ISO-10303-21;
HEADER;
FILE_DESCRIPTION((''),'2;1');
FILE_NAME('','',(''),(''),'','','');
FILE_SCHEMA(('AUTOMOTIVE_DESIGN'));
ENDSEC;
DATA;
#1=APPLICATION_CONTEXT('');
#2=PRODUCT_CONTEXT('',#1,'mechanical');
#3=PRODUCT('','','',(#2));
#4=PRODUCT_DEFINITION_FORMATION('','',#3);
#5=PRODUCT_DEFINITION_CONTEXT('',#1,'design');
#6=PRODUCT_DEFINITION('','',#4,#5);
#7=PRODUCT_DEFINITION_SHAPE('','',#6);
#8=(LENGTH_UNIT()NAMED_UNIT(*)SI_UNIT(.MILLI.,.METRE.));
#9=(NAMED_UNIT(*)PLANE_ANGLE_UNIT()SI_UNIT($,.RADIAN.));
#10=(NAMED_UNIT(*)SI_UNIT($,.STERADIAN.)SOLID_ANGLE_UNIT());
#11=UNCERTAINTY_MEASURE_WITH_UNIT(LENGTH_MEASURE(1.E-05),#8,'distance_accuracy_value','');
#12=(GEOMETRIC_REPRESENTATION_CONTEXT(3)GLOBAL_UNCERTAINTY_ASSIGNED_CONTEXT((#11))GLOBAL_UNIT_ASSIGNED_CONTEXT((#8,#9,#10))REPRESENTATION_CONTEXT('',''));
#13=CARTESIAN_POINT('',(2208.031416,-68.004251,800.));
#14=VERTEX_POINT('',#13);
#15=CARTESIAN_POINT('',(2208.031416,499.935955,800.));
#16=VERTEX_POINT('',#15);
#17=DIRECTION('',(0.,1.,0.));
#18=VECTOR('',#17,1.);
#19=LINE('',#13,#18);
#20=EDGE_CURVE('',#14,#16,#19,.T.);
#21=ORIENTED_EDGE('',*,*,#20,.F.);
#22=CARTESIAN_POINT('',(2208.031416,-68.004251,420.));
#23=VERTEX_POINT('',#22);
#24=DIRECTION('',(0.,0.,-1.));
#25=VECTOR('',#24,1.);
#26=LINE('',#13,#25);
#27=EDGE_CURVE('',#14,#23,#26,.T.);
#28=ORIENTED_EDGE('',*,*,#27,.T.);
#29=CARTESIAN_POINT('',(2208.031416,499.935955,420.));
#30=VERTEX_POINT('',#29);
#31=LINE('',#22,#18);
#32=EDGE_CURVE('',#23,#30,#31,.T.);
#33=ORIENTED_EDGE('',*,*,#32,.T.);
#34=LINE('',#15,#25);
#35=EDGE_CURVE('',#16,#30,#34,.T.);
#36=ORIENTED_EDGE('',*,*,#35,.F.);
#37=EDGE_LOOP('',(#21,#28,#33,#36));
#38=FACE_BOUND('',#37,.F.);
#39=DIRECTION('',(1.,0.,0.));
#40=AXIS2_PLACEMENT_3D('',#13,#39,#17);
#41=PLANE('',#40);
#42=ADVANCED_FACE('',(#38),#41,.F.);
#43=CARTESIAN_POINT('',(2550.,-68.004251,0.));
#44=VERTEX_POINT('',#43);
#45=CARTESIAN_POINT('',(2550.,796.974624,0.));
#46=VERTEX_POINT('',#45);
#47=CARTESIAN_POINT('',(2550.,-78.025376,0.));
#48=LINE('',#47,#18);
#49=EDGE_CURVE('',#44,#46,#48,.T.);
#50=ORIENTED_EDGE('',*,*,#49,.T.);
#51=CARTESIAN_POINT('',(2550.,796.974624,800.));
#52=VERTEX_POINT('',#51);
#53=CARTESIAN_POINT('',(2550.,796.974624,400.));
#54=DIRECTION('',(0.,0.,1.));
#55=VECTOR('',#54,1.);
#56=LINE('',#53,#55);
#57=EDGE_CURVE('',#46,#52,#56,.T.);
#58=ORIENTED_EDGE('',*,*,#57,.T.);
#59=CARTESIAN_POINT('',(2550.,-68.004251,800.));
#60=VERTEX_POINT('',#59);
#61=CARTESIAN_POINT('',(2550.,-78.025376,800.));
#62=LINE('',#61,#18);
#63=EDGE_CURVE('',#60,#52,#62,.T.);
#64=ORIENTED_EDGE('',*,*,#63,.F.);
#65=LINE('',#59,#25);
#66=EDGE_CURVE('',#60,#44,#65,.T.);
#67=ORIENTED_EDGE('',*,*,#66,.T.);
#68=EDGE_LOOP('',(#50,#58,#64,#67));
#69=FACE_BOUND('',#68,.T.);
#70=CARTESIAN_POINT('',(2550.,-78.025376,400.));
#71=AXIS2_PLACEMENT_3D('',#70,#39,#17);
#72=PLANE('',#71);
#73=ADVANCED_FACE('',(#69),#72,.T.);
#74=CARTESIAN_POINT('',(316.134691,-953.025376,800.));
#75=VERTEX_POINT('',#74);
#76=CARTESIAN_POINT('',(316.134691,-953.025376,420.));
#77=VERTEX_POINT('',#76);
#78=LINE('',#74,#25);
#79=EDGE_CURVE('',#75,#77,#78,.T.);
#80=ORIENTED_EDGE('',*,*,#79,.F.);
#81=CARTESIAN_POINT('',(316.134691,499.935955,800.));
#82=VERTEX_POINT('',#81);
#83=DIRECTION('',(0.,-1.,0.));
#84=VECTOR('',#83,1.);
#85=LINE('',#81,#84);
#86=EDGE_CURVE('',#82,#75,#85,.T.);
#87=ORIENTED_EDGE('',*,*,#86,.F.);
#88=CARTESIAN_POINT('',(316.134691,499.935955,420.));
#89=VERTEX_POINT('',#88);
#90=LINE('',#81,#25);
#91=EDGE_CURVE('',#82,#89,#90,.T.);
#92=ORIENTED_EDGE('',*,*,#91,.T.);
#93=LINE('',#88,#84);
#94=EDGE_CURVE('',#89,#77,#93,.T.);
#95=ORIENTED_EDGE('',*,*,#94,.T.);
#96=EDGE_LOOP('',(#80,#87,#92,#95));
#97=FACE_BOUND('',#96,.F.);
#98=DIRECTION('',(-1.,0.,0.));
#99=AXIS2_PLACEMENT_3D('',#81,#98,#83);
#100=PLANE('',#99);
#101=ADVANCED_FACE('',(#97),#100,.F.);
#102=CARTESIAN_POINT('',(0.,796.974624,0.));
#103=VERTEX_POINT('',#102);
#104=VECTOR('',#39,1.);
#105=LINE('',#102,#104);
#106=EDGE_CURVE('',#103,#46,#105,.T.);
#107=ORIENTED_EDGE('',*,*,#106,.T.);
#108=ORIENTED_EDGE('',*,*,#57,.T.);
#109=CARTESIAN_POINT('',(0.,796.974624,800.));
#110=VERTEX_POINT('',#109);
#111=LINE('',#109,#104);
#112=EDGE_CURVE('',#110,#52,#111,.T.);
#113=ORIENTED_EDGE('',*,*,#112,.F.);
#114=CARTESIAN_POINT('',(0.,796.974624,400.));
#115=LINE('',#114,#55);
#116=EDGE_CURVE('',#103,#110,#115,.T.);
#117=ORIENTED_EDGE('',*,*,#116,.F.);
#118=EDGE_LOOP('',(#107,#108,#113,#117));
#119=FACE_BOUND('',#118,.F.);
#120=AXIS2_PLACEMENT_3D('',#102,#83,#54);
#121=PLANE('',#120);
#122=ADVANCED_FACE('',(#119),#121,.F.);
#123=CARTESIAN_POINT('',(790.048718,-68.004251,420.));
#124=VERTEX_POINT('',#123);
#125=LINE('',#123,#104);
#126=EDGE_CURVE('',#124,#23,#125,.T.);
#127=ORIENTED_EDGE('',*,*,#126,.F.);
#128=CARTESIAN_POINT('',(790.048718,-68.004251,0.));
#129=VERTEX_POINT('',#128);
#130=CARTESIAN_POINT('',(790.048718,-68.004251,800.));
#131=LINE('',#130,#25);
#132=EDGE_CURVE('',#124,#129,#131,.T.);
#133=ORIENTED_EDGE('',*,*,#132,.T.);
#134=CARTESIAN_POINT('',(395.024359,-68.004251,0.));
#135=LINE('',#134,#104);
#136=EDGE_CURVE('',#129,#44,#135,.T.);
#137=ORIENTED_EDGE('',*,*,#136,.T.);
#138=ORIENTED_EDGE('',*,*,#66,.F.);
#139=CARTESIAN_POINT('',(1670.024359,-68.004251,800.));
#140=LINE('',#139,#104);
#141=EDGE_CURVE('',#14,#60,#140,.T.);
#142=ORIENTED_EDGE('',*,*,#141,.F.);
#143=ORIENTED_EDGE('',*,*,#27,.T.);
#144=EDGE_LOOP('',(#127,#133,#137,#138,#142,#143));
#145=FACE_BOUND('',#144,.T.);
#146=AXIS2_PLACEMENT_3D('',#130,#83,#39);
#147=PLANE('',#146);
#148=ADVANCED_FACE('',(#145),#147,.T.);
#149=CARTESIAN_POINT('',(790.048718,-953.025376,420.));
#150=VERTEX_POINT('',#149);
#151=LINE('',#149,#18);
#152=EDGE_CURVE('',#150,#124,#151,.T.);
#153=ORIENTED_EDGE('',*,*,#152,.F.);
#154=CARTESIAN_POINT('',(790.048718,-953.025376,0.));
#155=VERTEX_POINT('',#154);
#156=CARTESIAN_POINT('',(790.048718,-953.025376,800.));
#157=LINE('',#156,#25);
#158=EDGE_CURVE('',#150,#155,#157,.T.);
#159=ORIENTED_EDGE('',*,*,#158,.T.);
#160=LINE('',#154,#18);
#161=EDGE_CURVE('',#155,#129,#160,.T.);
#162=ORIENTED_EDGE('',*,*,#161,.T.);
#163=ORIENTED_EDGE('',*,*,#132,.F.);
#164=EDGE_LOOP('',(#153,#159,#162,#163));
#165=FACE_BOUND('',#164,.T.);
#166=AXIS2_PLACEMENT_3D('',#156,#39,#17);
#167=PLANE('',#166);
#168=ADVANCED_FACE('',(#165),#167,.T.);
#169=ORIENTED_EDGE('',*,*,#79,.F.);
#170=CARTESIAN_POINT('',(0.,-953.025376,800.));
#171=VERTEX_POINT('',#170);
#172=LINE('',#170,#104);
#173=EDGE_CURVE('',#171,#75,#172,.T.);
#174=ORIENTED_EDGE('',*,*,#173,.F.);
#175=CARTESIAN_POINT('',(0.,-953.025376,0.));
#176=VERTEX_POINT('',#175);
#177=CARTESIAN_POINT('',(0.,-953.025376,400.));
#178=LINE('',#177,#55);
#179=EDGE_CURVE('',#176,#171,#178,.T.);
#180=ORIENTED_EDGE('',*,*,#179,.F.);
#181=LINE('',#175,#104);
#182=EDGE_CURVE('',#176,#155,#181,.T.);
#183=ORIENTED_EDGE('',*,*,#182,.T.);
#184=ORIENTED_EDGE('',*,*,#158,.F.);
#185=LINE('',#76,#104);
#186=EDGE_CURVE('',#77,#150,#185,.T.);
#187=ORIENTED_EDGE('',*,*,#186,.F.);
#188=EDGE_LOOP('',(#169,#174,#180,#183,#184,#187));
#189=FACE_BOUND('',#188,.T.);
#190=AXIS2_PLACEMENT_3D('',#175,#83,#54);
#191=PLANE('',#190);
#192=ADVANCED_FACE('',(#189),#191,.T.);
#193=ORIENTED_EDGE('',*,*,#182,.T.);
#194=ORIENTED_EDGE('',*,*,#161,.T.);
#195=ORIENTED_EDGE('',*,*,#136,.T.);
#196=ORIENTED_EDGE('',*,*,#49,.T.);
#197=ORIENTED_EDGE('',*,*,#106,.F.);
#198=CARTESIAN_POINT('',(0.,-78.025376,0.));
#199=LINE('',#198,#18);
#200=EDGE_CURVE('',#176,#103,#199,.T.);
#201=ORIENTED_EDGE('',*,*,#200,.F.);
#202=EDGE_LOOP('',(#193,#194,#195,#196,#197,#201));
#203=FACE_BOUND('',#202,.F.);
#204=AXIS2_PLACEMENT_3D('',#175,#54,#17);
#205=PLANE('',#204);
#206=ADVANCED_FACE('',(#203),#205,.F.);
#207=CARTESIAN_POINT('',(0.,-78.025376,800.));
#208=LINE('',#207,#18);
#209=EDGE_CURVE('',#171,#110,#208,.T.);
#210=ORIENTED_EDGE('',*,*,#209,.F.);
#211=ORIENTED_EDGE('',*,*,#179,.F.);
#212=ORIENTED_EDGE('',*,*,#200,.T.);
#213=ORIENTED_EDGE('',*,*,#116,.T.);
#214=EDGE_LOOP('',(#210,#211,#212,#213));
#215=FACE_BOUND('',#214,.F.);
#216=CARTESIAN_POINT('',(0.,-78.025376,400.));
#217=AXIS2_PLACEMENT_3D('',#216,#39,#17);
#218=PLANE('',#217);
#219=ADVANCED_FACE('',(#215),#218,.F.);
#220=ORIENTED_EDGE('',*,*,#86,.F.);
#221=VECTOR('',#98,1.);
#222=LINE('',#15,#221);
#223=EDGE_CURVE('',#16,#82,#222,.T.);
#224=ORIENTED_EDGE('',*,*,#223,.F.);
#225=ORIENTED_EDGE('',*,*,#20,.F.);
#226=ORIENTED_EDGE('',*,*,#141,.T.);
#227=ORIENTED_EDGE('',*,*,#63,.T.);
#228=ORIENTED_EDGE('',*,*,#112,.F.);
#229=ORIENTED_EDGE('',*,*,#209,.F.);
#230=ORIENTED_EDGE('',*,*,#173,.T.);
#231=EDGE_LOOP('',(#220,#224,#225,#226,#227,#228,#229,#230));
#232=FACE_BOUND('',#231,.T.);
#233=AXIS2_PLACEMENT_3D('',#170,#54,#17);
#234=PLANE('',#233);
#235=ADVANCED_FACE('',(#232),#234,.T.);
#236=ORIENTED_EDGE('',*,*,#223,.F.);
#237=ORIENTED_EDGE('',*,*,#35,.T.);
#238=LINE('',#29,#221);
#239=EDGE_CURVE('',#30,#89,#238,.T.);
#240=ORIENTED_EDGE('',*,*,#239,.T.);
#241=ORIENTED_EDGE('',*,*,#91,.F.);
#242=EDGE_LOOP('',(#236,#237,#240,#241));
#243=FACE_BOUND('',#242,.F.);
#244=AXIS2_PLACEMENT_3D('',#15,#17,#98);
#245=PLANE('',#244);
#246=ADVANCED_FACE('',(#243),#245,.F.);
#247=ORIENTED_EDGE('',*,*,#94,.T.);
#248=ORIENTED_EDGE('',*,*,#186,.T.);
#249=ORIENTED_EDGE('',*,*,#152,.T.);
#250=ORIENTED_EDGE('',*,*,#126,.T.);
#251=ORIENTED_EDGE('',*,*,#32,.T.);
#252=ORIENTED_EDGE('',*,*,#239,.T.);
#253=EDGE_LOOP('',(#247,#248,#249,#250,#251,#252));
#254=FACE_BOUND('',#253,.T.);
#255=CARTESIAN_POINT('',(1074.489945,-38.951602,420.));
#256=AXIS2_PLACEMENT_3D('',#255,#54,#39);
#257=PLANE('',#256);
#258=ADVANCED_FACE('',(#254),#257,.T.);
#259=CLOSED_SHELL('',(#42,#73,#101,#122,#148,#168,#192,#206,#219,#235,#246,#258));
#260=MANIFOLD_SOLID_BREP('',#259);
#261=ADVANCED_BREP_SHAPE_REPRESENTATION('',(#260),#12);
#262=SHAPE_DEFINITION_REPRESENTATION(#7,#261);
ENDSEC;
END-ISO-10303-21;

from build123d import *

# Parameters (mm, degrees)
F0_W     = 1750
F0_H     = 800
F1_DEPTH = 2550
F2_W     = 1759.9512815475
F2_H     = 885.021125094
F3_DEPTH = 940
F5_DEPTH = 380


with BuildPart() as f1:
    # F0 (on Right) → F1 (new body)
    with BuildSketch(Plane.YZ):
        with Locations((-78.0253756204, 400)):
            Rectangle(F0_W, F0_H)
    extrude(amount=F1_DEPTH)

    # F2 (on face) → F3 (cut)
    with BuildSketch(Plane.XY.offset(800)):
        with Locations((1670.0243592262, -510.5148130734)):
            Rectangle(F2_W, F2_H)
    extrude(amount=-F3_DEPTH, mode=Mode.SUBTRACT)

    # F4 (on face) → F5 (cut)
    with BuildSketch(Plane.XY.offset(800)):
        Polygon((2208.0314159393, -68.0042505264), (2208.0314159393, 499.9359548092), (790.0487184525, 499.9359548092), (316.1346912384, 499.9359548092), (316.1346912384, -953.0253756204), (790.0487184525, -953.0253756204), (790.0487184525, -68.0042505264), align=None)
    extrude(amount=-F5_DEPTH, mode=Mode.SUBTRACT)


solid = f1.part
